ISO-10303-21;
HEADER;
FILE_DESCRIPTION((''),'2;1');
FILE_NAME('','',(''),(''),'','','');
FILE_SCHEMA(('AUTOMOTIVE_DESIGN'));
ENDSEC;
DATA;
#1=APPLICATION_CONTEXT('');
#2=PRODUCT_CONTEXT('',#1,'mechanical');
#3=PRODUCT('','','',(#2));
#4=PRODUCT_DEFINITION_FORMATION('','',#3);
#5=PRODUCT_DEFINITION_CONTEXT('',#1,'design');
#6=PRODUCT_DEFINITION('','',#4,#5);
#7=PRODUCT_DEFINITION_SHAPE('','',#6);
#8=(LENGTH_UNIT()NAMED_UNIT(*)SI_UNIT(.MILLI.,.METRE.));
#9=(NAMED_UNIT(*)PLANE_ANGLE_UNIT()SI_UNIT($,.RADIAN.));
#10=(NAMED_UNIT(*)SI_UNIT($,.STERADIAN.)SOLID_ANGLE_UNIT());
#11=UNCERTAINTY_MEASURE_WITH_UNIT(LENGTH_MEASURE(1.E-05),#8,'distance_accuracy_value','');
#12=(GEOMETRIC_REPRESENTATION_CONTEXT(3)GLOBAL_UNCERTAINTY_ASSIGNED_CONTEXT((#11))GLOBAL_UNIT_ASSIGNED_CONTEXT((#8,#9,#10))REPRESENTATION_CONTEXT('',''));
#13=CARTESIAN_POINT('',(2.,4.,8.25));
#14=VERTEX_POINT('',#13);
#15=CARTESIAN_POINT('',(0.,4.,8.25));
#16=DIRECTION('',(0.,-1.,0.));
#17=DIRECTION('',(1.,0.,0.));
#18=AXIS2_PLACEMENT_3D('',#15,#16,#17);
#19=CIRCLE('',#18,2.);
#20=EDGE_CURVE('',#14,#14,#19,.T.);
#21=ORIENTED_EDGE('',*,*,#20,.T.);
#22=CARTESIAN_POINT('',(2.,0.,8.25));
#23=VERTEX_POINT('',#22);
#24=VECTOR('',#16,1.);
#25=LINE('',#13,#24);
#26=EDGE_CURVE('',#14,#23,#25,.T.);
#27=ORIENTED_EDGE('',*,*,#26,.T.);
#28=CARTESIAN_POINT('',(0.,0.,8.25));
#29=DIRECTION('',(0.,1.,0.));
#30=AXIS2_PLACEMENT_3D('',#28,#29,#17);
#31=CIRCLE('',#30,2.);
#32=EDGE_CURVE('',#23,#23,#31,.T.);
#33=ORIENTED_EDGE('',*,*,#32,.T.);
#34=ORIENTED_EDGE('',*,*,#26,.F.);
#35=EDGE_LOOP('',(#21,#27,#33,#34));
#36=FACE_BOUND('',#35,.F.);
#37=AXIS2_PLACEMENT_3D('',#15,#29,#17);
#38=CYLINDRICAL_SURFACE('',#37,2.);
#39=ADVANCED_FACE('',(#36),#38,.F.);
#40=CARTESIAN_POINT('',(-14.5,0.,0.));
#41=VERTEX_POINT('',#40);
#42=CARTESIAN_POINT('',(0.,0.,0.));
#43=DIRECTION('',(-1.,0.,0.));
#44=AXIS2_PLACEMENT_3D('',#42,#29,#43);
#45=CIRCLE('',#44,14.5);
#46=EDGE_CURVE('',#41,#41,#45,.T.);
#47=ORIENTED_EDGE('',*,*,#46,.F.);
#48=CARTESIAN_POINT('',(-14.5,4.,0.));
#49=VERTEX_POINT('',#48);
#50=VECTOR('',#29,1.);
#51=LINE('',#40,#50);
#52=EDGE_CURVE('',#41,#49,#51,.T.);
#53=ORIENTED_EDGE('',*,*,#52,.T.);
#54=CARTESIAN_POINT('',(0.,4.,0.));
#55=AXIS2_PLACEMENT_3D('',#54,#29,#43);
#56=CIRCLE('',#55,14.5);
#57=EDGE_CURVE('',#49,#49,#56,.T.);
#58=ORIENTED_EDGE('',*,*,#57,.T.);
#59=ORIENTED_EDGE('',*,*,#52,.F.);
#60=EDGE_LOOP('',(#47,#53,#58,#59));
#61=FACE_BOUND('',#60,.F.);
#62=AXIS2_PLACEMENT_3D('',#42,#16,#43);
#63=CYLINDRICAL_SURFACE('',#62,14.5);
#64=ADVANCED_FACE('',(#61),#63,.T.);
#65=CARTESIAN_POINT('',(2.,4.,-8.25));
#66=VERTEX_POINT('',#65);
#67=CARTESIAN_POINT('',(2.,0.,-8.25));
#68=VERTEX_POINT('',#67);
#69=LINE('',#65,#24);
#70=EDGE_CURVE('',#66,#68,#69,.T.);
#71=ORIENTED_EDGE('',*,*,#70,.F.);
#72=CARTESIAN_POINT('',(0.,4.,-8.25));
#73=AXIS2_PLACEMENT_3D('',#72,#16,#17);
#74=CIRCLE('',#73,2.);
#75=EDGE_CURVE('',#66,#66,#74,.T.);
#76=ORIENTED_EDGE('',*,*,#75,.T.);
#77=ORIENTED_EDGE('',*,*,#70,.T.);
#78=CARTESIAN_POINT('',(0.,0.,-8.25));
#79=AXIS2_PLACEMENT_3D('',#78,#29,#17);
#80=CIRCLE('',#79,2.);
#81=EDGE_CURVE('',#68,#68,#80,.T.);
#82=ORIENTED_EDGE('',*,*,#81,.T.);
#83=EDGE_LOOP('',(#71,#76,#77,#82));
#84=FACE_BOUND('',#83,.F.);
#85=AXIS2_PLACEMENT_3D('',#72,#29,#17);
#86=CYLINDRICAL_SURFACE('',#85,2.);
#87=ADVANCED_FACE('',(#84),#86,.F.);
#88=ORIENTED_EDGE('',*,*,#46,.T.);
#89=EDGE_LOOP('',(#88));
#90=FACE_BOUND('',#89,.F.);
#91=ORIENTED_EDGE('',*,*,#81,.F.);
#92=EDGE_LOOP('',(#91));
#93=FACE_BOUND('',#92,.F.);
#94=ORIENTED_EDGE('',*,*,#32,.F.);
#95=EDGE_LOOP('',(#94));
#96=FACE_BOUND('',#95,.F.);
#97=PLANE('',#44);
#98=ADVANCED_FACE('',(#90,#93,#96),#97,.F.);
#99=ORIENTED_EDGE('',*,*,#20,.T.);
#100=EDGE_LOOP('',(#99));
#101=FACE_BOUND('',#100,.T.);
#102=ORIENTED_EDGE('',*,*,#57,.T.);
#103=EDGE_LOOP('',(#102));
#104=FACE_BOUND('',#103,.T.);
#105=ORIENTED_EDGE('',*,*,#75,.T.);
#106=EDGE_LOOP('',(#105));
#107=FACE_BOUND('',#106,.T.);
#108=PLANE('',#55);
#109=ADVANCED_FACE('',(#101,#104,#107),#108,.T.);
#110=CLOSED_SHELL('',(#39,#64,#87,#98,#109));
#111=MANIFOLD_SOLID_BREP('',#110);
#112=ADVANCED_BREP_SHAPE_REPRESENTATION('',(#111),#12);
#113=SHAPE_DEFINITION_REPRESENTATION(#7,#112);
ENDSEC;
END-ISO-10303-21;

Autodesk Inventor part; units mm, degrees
ref_plane "YZ Plane" through (0, 0, 0) normal (1, 0, 0) x (0, 1, 0)
ref_plane "XZ Plane" through (0, 0, 0) normal (0, 1, 0) x (-1, 0, 0)
ref_plane "XY Plane" through (0, 0, 0) normal (0, 0, 1) x (1, 0, 0)
sketch "Boceto1" plane through (0, 0, 0) normal (0, 1, 0) x (-1, 0, 0)
  circle A0 centre (0, 0) radius 14.5
  dimension "d0" = 29
extrude "Extrusión1" add sketch "Boceto1" along normal blind 4
sketch "Boceto2" plane through (0, 4, 0) normal (0, 1, 0) x (1, 0, 0)
  circle A0 centre (0, 0) radius 8.25
  circle A1 centre (0, -8.25) radius 2
  circle A2 centre (0, 8.25) radius 2
  dimension "d3" = 16.5
  dimension "d4" = 4
  dimension "d5" = 4
extrude "Extrusión2" cut sketch "Boceto2" against normal blind 4 contours A2 A0 | A0 A2 | A1 A0 | A0 A1
properties part number "Tapa - Gripper" material "Plastico PETG"
